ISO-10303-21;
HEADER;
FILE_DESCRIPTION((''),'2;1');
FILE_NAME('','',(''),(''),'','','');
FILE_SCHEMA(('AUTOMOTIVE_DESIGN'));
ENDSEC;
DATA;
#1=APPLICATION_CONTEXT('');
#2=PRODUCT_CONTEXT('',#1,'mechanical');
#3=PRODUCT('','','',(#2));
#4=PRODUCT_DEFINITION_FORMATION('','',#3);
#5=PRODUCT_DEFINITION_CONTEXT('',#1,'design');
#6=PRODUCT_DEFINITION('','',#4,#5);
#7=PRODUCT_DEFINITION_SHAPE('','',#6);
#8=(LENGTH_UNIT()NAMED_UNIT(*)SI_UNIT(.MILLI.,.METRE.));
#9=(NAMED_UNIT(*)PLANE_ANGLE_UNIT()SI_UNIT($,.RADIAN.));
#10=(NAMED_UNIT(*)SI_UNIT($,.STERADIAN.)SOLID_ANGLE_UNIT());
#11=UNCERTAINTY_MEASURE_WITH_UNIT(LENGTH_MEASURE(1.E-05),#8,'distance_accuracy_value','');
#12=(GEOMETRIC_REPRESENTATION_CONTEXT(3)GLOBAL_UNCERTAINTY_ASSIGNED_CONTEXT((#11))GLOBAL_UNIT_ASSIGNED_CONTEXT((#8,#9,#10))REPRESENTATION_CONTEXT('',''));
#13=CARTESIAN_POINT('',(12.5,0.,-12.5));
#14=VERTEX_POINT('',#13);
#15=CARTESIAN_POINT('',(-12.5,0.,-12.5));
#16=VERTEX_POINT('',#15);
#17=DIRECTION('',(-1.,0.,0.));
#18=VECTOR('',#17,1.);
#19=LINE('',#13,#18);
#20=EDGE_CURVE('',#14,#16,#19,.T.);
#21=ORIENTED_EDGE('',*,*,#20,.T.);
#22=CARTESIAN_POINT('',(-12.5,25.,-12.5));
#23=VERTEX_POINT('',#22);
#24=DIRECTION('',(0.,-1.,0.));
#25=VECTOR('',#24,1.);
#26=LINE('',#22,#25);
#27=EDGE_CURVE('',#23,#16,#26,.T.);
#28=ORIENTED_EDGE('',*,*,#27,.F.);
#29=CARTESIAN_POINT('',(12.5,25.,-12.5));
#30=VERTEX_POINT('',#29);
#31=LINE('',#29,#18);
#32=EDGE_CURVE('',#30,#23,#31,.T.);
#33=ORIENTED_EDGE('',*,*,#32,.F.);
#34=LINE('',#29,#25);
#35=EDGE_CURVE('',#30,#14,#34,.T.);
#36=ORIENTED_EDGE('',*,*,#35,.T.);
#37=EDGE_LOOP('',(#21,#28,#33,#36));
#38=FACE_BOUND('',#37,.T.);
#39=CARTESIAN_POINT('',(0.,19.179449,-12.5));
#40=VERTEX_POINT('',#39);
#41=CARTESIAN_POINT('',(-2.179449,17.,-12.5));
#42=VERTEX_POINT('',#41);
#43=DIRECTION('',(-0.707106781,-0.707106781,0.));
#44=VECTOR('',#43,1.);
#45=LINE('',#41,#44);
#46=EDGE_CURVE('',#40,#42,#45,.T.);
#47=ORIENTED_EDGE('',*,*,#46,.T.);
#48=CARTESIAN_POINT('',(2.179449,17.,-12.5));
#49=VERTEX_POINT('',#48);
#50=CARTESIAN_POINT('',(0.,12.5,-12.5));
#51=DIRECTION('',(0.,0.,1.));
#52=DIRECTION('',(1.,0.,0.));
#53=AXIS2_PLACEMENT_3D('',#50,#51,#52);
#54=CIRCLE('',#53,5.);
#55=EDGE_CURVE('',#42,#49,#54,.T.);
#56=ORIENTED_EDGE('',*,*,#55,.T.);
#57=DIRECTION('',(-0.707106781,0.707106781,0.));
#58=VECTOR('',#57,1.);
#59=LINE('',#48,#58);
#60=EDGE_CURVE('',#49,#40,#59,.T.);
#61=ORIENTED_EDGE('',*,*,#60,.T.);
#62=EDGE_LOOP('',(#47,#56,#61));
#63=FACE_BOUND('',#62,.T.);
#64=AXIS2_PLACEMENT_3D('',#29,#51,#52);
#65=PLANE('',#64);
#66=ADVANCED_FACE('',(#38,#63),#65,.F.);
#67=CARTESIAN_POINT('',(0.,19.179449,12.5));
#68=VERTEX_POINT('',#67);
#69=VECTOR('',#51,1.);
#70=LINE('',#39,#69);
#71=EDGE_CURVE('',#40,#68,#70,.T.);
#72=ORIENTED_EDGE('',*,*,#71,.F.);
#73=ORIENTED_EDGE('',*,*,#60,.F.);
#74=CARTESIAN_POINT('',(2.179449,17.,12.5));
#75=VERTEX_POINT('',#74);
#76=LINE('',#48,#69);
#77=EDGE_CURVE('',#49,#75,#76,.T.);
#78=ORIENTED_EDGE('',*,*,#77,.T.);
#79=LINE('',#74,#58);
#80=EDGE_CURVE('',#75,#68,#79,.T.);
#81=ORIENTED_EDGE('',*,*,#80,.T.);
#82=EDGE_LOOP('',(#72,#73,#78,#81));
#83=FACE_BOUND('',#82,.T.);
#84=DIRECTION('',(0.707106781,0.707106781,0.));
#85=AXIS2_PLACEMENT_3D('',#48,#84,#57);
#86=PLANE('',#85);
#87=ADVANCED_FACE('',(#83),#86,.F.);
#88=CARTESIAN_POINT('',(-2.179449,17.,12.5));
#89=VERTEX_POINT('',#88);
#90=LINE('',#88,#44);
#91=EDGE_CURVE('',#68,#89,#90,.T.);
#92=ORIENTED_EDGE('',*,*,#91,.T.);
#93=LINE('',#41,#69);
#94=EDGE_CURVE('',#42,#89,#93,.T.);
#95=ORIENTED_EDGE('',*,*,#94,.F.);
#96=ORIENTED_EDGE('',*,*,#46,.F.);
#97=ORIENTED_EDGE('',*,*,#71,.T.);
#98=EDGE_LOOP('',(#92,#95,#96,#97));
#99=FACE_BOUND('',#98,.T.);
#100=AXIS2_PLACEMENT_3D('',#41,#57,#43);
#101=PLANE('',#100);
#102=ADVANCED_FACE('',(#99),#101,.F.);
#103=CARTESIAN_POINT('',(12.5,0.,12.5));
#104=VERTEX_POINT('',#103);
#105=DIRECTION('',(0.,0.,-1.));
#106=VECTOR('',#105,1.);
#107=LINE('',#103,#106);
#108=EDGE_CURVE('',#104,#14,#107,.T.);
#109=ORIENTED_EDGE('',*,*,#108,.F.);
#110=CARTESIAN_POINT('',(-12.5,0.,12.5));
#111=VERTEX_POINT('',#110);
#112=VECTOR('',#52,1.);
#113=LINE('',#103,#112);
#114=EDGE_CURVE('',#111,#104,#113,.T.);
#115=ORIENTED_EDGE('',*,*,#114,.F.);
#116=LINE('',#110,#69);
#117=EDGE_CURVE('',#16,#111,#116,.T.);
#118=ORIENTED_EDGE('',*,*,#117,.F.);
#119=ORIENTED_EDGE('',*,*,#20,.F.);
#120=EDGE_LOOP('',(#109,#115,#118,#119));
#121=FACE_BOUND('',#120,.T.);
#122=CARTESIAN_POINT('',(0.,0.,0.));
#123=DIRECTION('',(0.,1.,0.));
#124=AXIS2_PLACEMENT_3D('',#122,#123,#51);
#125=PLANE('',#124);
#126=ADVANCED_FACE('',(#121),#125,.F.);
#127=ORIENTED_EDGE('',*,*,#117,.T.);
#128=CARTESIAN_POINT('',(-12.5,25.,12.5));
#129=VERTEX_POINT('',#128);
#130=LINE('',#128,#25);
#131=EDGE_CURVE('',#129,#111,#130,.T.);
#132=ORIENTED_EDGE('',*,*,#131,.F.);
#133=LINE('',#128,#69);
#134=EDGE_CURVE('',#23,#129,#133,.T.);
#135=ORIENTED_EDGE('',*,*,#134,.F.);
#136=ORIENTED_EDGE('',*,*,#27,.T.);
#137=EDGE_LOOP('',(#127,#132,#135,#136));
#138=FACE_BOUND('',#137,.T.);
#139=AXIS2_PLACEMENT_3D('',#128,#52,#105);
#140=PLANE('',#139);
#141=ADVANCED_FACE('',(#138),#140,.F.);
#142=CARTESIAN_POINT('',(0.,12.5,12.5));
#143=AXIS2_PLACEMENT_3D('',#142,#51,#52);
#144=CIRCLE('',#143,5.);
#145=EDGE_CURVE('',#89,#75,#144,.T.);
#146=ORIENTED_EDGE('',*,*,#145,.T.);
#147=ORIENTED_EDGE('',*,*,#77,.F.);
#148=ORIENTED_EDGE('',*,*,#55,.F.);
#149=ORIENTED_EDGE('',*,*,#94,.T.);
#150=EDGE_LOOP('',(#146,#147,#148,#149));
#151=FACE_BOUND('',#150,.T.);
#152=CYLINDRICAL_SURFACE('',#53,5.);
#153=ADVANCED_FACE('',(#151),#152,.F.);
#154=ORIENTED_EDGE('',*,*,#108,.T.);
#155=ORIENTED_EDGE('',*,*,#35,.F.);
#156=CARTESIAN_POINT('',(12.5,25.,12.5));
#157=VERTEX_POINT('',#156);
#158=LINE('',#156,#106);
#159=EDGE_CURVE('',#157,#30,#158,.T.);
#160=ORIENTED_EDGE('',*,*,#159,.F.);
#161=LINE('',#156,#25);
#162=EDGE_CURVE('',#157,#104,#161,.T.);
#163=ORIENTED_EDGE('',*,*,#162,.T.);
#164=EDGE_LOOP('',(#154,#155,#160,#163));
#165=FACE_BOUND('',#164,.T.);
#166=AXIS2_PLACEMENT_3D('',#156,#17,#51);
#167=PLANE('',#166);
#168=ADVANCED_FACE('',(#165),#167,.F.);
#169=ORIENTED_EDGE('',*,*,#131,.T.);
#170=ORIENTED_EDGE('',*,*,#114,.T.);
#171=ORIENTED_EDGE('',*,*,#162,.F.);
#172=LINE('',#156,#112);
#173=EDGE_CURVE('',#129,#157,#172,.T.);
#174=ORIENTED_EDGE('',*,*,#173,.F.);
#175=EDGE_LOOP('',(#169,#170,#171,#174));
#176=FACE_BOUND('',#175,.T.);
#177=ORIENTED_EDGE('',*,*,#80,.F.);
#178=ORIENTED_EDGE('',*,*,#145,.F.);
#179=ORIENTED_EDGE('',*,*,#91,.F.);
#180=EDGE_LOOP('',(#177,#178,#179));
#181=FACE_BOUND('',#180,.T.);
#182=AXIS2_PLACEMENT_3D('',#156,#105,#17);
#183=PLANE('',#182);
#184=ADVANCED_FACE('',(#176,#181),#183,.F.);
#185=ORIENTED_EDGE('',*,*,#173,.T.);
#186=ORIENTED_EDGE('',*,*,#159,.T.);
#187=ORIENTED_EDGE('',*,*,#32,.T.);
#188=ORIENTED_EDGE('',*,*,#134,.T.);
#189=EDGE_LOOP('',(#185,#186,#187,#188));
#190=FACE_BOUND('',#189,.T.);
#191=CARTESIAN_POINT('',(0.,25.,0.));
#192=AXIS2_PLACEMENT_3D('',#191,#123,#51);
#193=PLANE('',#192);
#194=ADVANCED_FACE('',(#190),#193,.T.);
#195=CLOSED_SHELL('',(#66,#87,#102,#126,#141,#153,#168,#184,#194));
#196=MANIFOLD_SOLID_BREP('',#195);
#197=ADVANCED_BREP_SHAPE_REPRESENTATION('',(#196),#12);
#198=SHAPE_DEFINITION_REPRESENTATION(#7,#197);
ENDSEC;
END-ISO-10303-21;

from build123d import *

# Parameters (mm, degrees)
SKETCH1_W           = 25
SKETCH1_H           = 25
BOSS_EXTRUDE1_DEPTH = 25
CUT_EXTRUDE1_DEPTH  = 26


with BuildPart() as part:
    # Sketch1 → Boss-Extrude1 (new body)
    with BuildSketch(Plane(origin=(0, 0, 0), x_dir=(1, 0, 0), z_dir=(0, 1, 0))):
        Rectangle(SKETCH1_W, SKETCH1_H)
    extrude(amount=BOSS_EXTRUDE1_DEPTH)

    # Sketch2 → Cut-Extrude1 (cut, through all)
    with BuildSketch(Plane.XY.offset(12.5)):
        with BuildLine():
            Line((-2.179449472, 17), (0, 19.179449472))
            Line((0, 19.179449472), (2.179449472, 17))
            ThreePointArc((2.179449472, 17), (0, 7.5), (-2.179449472, 17))
        make_face()
    extrude(amount=-CUT_EXTRUDE1_DEPTH, mode=Mode.SUBTRACT)


solid = part.part
